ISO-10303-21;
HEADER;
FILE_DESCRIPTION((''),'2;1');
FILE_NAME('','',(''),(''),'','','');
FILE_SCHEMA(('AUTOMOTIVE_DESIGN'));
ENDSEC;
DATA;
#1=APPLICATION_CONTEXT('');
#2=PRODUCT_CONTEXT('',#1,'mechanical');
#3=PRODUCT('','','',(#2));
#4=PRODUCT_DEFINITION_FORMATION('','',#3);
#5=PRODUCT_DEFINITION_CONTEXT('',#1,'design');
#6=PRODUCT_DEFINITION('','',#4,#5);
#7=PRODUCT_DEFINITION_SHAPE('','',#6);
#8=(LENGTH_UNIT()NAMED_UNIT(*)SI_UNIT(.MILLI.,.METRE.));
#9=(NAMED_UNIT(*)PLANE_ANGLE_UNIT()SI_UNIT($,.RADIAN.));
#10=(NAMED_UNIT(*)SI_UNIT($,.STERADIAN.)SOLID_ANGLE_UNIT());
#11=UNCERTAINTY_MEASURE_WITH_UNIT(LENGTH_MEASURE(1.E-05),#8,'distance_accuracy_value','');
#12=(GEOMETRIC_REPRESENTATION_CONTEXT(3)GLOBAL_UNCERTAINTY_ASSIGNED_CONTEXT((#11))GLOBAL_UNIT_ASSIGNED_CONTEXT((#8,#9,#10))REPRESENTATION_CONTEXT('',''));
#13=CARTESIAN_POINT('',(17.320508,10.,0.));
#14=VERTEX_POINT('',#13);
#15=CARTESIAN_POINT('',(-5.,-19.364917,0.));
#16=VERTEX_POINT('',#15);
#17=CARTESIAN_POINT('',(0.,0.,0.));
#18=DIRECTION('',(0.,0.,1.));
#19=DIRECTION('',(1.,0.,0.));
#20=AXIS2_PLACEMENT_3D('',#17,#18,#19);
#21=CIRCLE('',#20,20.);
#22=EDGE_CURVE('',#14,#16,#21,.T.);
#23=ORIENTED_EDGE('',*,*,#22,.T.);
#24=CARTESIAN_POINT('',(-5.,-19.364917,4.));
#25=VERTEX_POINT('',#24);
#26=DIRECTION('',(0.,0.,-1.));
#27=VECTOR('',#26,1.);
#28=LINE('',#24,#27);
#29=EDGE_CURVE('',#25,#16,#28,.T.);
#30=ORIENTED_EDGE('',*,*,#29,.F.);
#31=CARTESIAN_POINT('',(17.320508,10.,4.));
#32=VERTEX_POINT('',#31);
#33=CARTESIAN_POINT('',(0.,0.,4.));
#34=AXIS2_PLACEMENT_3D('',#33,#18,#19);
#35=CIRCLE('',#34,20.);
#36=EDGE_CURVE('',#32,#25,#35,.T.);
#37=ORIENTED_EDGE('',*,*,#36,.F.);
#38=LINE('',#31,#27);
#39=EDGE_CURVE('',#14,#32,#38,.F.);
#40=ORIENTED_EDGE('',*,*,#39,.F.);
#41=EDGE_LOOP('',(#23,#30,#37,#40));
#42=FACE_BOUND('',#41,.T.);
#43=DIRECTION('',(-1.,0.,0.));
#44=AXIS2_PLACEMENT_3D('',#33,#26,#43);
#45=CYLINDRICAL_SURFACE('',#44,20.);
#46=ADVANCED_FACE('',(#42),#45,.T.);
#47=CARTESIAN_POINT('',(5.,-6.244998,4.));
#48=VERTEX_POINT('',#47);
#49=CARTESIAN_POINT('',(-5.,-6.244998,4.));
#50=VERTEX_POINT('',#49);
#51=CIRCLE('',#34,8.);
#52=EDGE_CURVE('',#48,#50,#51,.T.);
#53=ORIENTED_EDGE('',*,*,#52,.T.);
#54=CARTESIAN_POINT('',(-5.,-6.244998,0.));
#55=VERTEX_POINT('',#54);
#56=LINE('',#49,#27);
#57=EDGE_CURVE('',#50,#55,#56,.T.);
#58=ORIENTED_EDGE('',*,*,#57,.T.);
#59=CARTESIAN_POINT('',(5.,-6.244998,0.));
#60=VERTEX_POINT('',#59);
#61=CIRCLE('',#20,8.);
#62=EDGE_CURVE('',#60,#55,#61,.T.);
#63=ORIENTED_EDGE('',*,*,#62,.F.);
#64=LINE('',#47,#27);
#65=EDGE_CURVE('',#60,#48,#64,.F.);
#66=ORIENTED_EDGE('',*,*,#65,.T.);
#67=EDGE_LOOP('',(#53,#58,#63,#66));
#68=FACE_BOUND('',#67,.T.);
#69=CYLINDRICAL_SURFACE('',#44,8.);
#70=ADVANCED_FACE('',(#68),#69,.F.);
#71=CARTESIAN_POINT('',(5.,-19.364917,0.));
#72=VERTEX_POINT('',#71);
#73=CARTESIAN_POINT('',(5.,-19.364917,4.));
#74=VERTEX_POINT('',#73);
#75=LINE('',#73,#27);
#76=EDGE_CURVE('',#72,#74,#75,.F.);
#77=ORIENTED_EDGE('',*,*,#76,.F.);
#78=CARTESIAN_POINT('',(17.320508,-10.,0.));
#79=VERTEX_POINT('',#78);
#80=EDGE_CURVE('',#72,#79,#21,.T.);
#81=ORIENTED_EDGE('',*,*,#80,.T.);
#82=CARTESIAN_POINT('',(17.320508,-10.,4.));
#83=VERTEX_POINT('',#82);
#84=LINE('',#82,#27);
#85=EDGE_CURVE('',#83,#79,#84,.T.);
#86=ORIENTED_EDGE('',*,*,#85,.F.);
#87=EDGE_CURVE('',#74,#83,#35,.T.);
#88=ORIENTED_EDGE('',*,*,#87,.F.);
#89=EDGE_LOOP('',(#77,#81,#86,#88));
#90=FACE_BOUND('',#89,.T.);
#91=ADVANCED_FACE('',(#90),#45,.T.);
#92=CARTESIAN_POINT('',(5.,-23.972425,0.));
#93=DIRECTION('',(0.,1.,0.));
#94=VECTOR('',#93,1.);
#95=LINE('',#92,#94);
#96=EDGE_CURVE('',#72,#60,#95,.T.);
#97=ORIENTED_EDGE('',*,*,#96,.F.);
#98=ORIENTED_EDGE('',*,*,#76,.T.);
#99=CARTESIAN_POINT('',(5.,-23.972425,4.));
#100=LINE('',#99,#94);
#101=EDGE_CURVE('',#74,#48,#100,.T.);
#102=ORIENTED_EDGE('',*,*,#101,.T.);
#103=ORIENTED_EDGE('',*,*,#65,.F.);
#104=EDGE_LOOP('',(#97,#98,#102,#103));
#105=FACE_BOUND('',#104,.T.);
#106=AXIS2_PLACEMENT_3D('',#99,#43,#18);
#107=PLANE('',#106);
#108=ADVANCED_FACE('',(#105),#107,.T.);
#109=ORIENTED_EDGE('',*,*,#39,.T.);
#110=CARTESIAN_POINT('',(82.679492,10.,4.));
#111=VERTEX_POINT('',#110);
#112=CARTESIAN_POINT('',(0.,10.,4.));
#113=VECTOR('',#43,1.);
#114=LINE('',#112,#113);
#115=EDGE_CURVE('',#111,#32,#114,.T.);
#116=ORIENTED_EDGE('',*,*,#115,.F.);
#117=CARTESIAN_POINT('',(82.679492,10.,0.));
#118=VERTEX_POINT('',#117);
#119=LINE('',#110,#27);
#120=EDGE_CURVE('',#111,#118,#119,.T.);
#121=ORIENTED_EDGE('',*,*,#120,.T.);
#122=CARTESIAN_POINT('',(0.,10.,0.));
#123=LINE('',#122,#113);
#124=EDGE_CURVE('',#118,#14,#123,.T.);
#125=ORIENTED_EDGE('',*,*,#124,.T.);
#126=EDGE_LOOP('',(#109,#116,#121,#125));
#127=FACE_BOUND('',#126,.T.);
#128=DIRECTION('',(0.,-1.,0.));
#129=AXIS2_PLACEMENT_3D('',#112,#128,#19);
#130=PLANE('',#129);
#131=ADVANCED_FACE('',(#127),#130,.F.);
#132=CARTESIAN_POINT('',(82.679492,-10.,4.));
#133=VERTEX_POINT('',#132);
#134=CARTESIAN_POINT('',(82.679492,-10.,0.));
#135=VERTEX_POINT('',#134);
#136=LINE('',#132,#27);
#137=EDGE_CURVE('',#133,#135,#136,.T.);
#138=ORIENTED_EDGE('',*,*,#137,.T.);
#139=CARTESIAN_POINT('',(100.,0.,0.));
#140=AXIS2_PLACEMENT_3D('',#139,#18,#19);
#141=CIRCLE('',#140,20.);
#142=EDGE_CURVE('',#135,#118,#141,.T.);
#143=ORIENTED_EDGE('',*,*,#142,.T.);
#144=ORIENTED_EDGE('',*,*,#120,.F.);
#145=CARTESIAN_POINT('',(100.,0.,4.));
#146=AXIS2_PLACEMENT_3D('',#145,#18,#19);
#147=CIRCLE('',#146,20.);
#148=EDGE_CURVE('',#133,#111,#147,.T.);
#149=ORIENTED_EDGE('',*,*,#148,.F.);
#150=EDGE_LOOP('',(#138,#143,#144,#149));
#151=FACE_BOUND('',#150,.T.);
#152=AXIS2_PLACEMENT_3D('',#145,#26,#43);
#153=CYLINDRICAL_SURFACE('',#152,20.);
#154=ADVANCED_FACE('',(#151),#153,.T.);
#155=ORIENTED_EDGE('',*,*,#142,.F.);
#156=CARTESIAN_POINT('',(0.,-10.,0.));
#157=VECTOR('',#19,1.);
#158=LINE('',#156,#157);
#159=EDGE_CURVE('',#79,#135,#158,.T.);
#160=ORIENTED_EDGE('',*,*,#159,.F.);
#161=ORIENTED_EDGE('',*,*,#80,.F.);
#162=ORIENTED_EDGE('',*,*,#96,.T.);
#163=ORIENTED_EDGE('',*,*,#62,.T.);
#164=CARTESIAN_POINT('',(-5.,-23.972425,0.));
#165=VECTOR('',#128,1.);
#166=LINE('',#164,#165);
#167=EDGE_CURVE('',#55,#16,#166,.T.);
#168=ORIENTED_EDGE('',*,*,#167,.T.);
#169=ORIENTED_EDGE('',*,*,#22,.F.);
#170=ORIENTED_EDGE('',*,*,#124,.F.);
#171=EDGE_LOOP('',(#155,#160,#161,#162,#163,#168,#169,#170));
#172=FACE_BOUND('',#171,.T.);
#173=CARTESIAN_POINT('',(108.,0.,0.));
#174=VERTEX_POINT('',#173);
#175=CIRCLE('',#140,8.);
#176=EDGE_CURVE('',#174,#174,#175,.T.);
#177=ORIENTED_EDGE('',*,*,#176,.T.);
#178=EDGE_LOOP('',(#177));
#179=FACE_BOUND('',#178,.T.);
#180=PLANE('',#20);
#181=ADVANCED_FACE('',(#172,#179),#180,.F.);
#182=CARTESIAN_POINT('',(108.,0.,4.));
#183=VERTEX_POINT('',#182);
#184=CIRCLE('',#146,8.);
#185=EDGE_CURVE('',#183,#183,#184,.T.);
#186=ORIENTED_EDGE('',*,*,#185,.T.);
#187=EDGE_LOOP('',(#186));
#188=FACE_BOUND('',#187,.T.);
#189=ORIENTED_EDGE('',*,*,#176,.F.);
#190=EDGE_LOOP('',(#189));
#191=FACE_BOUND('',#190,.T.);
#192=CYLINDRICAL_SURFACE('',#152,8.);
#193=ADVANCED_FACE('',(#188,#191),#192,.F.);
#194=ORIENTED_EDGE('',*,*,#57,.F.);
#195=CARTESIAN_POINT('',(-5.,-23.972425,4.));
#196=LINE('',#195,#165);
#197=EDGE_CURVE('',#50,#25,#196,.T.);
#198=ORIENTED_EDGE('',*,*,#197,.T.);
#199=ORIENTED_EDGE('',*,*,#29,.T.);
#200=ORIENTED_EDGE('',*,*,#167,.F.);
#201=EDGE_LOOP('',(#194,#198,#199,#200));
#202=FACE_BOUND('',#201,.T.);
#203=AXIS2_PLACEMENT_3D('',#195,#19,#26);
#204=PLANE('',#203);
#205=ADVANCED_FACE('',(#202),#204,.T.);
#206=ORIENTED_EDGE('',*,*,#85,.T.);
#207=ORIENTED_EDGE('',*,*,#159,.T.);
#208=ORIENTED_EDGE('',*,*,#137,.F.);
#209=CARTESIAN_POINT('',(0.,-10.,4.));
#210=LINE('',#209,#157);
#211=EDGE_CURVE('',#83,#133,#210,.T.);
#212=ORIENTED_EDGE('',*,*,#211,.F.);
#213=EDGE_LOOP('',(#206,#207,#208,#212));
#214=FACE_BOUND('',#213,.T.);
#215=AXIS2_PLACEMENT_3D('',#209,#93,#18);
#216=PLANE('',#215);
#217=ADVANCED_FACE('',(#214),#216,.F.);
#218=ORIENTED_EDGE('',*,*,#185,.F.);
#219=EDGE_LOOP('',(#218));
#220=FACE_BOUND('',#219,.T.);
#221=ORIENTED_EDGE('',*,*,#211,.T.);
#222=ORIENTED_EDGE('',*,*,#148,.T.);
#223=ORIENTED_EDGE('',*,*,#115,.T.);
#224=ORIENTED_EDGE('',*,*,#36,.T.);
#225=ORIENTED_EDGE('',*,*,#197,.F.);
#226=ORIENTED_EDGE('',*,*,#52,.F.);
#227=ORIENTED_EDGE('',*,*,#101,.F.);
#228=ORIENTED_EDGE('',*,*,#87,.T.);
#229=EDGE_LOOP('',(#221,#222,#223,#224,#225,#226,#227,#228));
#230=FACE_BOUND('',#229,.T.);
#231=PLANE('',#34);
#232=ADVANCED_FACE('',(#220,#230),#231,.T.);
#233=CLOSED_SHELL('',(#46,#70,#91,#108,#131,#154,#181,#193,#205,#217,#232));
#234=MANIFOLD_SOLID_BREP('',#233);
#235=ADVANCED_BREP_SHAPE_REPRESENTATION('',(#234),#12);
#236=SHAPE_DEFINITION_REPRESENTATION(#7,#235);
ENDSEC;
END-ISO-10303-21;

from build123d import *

# Parameters (mm, degrees)
SKETCH1_R           = 20
BOSS_EXTRUDE1_DEPTH = 4
BOSS_EXTRUDE2_DEPTH = 4
SKETCH4_R           = 8
CUT_EXTRUDE1_DEPTH  = 4
SKETCH5_W           = 10
SKETCH5_H           = 19.132811744
CUT_EXTRUDE3_DEPTH  = 4
SKETCH6_R           = 8
CUT_EXTRUDE4_DEPTH  = 4


with BuildPart() as part:
    # Sketch1 → Boss-Extrude1 (new body)
    with BuildSketch(Plane.XY):
        Circle(SKETCH1_R)
    extrude(amount=BOSS_EXTRUDE1_DEPTH)

    # Sketch3 → Boss-Extrude2 (add)
    with BuildSketch(Plane.XY):
        with BuildLine():
            ThreePointArc((120, 0), (105.176380902, 19.318516526), (82.679491924, 10))
            Line((82.679491924, 10), (100, 10))
            Line((100, 10), (100, 0))
            Line((100, 0), (100, -10))
            Line((100, -10), (82.679491924, -10))
            ThreePointArc((82.679491924, -10), (105.176380902, -19.318516526), (120, 0))
        make_face()
        with BuildLine():
            Line((100, 10), (82.679491924, 10))
            ThreePointArc((82.679491924, 10), (80, 0), (82.679491924, -10))
            Line((82.679491924, -10), (100, -10))
            Line((100, -10), (100, 0))
            Line((100, 0), (100, 10))
        make_face()
        with BuildLine():
            Line((82.679491924, 10), (0, 10))
            Line((0, 10), (0, 0))
            Line((0, 0), (0, -10))
            Line((0, -10), (82.679491924, -10))
            ThreePointArc((82.679491924, -10), (80, 0), (82.679491924, 10))
        make_face()
    extrude(amount=BOSS_EXTRUDE2_DEPTH)

    # Sketch4 → Cut-Extrude1 (cut)
    with BuildSketch(Plane.XY):
        Circle(SKETCH4_R)
    extrude(amount=CUT_EXTRUDE1_DEPTH, mode=Mode.SUBTRACT)

    # Sketch5 → Cut-Extrude3 (cut)
    with BuildSketch(Plane.XY):
        with Locations((0, -14.406019059)):
            Rectangle(SKETCH5_W, SKETCH5_H)
    extrude(amount=CUT_EXTRUDE3_DEPTH, mode=Mode.SUBTRACT)

    # Sketch6 → Cut-Extrude4 (cut)
    with BuildSketch(Plane.XY):
        with Locations((100, 0)):
            Circle(SKETCH6_R)
    extrude(amount=CUT_EXTRUDE4_DEPTH, mode=Mode.SUBTRACT)


solid = part.part
